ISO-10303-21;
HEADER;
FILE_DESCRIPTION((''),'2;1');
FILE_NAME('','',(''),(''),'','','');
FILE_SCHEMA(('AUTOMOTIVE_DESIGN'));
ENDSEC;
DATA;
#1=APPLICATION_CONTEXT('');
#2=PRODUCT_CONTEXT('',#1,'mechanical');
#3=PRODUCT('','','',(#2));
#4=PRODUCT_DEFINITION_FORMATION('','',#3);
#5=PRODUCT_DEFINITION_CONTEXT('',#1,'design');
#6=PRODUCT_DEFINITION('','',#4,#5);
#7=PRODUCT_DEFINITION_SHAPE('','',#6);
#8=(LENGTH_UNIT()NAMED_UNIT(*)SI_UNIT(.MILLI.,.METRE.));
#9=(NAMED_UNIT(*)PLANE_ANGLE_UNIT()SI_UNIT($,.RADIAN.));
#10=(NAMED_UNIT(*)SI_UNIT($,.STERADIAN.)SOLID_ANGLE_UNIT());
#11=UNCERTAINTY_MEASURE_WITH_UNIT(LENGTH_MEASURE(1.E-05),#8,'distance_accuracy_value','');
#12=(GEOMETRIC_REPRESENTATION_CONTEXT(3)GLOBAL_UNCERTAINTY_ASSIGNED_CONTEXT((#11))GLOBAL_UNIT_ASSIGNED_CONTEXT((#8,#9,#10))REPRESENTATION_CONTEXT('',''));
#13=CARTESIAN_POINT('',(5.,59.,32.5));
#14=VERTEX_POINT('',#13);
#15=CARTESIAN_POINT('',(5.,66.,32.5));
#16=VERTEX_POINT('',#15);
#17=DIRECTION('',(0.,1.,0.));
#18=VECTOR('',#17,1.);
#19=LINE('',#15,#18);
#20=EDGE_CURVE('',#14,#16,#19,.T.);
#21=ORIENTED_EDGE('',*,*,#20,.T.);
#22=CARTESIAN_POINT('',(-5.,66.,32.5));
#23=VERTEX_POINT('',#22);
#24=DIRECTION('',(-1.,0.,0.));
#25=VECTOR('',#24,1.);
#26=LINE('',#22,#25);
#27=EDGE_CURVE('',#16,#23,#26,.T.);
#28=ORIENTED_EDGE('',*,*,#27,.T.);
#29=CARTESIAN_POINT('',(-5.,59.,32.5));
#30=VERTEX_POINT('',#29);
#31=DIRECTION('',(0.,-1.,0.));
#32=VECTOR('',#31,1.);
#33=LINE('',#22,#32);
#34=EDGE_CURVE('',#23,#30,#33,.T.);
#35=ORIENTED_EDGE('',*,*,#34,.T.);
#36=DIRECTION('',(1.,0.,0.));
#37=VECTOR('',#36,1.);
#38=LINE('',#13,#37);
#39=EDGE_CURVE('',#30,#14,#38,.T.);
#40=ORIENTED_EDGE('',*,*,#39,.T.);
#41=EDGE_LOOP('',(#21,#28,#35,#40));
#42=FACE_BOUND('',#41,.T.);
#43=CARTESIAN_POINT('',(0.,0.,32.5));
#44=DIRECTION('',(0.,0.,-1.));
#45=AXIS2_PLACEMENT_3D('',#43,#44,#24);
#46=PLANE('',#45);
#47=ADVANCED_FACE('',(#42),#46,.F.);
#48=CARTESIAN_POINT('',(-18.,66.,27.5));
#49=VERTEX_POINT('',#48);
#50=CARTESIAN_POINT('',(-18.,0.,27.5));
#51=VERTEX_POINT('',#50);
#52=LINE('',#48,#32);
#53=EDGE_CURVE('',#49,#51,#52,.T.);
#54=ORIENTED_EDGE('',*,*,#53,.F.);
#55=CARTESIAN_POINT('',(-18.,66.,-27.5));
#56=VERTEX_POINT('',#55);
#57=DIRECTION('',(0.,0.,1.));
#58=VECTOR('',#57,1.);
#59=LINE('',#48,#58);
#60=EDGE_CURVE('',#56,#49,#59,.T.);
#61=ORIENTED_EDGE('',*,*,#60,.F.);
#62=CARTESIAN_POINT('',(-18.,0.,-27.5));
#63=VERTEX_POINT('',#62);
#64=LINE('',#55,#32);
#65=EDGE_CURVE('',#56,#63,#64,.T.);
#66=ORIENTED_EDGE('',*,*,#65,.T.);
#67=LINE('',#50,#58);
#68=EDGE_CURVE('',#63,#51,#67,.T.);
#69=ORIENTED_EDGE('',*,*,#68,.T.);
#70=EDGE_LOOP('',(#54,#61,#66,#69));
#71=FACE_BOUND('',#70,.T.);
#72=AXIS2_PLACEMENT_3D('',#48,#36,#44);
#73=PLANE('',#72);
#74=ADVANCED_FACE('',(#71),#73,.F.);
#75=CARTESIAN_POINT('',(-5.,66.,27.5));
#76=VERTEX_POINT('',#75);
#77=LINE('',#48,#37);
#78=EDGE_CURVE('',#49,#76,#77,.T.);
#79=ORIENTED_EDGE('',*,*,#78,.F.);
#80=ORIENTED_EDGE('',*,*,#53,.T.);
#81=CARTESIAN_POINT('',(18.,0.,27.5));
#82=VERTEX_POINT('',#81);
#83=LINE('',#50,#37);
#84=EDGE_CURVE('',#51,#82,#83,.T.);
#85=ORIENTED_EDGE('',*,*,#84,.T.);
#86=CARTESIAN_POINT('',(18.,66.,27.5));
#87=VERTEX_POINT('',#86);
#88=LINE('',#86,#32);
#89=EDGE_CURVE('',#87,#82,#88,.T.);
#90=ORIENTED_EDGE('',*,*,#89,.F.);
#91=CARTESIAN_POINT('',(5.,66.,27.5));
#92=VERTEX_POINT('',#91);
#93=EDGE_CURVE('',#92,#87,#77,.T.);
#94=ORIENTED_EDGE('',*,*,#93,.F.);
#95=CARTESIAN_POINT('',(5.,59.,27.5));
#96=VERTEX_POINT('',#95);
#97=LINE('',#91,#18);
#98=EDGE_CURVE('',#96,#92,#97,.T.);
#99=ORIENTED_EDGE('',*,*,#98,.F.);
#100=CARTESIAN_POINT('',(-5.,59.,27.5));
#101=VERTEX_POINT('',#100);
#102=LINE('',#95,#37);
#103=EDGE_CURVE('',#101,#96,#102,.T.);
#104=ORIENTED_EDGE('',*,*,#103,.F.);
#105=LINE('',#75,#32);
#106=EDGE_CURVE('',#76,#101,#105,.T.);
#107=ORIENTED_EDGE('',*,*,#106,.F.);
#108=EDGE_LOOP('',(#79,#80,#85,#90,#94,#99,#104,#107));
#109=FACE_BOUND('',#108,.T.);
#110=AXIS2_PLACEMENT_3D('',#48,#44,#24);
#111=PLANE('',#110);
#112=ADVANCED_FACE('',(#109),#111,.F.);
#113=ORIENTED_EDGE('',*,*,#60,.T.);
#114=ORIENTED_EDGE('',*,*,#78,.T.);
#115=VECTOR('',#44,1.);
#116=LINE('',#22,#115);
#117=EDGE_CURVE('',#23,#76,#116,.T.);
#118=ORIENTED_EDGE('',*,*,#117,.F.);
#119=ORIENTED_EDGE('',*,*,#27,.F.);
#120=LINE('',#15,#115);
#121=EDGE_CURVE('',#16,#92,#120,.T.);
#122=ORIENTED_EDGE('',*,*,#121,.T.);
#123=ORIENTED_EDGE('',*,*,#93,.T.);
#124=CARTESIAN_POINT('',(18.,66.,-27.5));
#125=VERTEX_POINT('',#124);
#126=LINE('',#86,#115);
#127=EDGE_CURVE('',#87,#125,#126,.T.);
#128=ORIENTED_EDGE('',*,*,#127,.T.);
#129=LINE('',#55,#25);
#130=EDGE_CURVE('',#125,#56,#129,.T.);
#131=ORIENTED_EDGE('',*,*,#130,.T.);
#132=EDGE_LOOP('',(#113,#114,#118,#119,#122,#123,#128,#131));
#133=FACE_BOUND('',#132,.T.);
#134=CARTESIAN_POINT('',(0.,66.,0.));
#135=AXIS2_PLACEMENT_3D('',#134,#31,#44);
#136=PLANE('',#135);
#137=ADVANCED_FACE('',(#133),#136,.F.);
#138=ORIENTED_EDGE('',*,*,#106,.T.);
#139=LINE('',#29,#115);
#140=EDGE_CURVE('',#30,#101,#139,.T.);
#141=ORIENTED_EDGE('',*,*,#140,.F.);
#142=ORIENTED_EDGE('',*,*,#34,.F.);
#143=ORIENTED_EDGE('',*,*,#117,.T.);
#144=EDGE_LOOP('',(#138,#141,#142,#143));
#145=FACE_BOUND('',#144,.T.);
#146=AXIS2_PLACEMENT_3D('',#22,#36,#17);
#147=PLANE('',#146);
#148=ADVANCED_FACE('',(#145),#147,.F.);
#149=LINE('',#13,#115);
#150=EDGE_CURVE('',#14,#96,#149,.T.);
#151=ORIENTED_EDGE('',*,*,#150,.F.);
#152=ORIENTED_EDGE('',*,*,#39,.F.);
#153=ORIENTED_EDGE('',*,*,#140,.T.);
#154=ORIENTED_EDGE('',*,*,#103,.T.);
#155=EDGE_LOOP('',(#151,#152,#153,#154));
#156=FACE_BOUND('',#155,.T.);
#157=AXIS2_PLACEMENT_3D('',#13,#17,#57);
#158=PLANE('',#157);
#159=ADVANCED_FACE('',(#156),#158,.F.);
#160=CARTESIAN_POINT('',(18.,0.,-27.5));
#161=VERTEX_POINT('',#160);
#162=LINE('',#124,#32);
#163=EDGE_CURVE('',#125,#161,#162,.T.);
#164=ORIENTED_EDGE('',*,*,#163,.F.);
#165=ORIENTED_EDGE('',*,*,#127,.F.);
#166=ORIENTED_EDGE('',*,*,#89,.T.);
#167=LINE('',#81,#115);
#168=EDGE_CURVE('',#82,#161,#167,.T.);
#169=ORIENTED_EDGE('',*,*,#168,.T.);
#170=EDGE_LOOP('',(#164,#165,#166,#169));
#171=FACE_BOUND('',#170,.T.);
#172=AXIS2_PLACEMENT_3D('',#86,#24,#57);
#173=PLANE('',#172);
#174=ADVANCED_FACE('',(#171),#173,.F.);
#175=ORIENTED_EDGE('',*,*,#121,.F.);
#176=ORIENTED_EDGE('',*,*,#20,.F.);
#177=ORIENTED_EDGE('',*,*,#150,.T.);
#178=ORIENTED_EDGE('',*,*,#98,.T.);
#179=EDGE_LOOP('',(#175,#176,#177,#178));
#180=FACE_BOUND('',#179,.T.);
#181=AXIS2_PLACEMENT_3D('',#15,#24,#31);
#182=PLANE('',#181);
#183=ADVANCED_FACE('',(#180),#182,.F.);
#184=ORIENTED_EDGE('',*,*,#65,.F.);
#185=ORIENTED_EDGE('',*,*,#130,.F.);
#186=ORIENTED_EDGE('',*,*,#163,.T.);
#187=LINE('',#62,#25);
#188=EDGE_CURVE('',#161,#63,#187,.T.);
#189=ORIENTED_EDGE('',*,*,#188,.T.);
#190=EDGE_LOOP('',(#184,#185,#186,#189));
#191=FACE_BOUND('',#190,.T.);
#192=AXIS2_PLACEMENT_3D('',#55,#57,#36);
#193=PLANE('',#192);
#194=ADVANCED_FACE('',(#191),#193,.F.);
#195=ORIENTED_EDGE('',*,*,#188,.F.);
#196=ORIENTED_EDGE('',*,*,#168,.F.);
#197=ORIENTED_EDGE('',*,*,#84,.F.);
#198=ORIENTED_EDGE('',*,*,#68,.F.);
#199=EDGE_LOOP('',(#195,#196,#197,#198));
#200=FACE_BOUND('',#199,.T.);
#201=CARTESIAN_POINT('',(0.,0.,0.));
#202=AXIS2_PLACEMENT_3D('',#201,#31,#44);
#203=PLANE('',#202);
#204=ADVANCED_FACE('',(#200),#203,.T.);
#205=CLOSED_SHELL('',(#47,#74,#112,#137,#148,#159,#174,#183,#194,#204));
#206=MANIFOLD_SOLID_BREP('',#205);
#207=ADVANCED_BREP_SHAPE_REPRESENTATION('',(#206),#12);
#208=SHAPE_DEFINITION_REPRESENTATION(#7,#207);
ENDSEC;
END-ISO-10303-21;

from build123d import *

# Parameters (mm, degrees)
SKETCH_1_W      = 36
SKETCH_1_H      = 55
EXTRUDE_1_DEPTH = 66
SKETCH_2_W      = 10
SKETCH_2_H      = 7
EXTRUDE_2_DEPTH = 5


with BuildPart() as part:
    # 草图1 → 凸台-拉伸1 (new body)
    with BuildSketch(Plane(origin=(0, 0, 0), x_dir=(1, 0, 0), z_dir=(0, 1, 0))):
        Rectangle(SKETCH_1_W, SKETCH_1_H)
    extrude(amount=EXTRUDE_1_DEPTH)

    # 草图2 → 凸台-拉伸2 (add)
    with BuildSketch(Plane.XY.offset(27.5)):
        with Locations((0, 62.5)):
            Rectangle(SKETCH_2_W, SKETCH_2_H)
    extrude(amount=EXTRUDE_2_DEPTH)


solid = part.part
